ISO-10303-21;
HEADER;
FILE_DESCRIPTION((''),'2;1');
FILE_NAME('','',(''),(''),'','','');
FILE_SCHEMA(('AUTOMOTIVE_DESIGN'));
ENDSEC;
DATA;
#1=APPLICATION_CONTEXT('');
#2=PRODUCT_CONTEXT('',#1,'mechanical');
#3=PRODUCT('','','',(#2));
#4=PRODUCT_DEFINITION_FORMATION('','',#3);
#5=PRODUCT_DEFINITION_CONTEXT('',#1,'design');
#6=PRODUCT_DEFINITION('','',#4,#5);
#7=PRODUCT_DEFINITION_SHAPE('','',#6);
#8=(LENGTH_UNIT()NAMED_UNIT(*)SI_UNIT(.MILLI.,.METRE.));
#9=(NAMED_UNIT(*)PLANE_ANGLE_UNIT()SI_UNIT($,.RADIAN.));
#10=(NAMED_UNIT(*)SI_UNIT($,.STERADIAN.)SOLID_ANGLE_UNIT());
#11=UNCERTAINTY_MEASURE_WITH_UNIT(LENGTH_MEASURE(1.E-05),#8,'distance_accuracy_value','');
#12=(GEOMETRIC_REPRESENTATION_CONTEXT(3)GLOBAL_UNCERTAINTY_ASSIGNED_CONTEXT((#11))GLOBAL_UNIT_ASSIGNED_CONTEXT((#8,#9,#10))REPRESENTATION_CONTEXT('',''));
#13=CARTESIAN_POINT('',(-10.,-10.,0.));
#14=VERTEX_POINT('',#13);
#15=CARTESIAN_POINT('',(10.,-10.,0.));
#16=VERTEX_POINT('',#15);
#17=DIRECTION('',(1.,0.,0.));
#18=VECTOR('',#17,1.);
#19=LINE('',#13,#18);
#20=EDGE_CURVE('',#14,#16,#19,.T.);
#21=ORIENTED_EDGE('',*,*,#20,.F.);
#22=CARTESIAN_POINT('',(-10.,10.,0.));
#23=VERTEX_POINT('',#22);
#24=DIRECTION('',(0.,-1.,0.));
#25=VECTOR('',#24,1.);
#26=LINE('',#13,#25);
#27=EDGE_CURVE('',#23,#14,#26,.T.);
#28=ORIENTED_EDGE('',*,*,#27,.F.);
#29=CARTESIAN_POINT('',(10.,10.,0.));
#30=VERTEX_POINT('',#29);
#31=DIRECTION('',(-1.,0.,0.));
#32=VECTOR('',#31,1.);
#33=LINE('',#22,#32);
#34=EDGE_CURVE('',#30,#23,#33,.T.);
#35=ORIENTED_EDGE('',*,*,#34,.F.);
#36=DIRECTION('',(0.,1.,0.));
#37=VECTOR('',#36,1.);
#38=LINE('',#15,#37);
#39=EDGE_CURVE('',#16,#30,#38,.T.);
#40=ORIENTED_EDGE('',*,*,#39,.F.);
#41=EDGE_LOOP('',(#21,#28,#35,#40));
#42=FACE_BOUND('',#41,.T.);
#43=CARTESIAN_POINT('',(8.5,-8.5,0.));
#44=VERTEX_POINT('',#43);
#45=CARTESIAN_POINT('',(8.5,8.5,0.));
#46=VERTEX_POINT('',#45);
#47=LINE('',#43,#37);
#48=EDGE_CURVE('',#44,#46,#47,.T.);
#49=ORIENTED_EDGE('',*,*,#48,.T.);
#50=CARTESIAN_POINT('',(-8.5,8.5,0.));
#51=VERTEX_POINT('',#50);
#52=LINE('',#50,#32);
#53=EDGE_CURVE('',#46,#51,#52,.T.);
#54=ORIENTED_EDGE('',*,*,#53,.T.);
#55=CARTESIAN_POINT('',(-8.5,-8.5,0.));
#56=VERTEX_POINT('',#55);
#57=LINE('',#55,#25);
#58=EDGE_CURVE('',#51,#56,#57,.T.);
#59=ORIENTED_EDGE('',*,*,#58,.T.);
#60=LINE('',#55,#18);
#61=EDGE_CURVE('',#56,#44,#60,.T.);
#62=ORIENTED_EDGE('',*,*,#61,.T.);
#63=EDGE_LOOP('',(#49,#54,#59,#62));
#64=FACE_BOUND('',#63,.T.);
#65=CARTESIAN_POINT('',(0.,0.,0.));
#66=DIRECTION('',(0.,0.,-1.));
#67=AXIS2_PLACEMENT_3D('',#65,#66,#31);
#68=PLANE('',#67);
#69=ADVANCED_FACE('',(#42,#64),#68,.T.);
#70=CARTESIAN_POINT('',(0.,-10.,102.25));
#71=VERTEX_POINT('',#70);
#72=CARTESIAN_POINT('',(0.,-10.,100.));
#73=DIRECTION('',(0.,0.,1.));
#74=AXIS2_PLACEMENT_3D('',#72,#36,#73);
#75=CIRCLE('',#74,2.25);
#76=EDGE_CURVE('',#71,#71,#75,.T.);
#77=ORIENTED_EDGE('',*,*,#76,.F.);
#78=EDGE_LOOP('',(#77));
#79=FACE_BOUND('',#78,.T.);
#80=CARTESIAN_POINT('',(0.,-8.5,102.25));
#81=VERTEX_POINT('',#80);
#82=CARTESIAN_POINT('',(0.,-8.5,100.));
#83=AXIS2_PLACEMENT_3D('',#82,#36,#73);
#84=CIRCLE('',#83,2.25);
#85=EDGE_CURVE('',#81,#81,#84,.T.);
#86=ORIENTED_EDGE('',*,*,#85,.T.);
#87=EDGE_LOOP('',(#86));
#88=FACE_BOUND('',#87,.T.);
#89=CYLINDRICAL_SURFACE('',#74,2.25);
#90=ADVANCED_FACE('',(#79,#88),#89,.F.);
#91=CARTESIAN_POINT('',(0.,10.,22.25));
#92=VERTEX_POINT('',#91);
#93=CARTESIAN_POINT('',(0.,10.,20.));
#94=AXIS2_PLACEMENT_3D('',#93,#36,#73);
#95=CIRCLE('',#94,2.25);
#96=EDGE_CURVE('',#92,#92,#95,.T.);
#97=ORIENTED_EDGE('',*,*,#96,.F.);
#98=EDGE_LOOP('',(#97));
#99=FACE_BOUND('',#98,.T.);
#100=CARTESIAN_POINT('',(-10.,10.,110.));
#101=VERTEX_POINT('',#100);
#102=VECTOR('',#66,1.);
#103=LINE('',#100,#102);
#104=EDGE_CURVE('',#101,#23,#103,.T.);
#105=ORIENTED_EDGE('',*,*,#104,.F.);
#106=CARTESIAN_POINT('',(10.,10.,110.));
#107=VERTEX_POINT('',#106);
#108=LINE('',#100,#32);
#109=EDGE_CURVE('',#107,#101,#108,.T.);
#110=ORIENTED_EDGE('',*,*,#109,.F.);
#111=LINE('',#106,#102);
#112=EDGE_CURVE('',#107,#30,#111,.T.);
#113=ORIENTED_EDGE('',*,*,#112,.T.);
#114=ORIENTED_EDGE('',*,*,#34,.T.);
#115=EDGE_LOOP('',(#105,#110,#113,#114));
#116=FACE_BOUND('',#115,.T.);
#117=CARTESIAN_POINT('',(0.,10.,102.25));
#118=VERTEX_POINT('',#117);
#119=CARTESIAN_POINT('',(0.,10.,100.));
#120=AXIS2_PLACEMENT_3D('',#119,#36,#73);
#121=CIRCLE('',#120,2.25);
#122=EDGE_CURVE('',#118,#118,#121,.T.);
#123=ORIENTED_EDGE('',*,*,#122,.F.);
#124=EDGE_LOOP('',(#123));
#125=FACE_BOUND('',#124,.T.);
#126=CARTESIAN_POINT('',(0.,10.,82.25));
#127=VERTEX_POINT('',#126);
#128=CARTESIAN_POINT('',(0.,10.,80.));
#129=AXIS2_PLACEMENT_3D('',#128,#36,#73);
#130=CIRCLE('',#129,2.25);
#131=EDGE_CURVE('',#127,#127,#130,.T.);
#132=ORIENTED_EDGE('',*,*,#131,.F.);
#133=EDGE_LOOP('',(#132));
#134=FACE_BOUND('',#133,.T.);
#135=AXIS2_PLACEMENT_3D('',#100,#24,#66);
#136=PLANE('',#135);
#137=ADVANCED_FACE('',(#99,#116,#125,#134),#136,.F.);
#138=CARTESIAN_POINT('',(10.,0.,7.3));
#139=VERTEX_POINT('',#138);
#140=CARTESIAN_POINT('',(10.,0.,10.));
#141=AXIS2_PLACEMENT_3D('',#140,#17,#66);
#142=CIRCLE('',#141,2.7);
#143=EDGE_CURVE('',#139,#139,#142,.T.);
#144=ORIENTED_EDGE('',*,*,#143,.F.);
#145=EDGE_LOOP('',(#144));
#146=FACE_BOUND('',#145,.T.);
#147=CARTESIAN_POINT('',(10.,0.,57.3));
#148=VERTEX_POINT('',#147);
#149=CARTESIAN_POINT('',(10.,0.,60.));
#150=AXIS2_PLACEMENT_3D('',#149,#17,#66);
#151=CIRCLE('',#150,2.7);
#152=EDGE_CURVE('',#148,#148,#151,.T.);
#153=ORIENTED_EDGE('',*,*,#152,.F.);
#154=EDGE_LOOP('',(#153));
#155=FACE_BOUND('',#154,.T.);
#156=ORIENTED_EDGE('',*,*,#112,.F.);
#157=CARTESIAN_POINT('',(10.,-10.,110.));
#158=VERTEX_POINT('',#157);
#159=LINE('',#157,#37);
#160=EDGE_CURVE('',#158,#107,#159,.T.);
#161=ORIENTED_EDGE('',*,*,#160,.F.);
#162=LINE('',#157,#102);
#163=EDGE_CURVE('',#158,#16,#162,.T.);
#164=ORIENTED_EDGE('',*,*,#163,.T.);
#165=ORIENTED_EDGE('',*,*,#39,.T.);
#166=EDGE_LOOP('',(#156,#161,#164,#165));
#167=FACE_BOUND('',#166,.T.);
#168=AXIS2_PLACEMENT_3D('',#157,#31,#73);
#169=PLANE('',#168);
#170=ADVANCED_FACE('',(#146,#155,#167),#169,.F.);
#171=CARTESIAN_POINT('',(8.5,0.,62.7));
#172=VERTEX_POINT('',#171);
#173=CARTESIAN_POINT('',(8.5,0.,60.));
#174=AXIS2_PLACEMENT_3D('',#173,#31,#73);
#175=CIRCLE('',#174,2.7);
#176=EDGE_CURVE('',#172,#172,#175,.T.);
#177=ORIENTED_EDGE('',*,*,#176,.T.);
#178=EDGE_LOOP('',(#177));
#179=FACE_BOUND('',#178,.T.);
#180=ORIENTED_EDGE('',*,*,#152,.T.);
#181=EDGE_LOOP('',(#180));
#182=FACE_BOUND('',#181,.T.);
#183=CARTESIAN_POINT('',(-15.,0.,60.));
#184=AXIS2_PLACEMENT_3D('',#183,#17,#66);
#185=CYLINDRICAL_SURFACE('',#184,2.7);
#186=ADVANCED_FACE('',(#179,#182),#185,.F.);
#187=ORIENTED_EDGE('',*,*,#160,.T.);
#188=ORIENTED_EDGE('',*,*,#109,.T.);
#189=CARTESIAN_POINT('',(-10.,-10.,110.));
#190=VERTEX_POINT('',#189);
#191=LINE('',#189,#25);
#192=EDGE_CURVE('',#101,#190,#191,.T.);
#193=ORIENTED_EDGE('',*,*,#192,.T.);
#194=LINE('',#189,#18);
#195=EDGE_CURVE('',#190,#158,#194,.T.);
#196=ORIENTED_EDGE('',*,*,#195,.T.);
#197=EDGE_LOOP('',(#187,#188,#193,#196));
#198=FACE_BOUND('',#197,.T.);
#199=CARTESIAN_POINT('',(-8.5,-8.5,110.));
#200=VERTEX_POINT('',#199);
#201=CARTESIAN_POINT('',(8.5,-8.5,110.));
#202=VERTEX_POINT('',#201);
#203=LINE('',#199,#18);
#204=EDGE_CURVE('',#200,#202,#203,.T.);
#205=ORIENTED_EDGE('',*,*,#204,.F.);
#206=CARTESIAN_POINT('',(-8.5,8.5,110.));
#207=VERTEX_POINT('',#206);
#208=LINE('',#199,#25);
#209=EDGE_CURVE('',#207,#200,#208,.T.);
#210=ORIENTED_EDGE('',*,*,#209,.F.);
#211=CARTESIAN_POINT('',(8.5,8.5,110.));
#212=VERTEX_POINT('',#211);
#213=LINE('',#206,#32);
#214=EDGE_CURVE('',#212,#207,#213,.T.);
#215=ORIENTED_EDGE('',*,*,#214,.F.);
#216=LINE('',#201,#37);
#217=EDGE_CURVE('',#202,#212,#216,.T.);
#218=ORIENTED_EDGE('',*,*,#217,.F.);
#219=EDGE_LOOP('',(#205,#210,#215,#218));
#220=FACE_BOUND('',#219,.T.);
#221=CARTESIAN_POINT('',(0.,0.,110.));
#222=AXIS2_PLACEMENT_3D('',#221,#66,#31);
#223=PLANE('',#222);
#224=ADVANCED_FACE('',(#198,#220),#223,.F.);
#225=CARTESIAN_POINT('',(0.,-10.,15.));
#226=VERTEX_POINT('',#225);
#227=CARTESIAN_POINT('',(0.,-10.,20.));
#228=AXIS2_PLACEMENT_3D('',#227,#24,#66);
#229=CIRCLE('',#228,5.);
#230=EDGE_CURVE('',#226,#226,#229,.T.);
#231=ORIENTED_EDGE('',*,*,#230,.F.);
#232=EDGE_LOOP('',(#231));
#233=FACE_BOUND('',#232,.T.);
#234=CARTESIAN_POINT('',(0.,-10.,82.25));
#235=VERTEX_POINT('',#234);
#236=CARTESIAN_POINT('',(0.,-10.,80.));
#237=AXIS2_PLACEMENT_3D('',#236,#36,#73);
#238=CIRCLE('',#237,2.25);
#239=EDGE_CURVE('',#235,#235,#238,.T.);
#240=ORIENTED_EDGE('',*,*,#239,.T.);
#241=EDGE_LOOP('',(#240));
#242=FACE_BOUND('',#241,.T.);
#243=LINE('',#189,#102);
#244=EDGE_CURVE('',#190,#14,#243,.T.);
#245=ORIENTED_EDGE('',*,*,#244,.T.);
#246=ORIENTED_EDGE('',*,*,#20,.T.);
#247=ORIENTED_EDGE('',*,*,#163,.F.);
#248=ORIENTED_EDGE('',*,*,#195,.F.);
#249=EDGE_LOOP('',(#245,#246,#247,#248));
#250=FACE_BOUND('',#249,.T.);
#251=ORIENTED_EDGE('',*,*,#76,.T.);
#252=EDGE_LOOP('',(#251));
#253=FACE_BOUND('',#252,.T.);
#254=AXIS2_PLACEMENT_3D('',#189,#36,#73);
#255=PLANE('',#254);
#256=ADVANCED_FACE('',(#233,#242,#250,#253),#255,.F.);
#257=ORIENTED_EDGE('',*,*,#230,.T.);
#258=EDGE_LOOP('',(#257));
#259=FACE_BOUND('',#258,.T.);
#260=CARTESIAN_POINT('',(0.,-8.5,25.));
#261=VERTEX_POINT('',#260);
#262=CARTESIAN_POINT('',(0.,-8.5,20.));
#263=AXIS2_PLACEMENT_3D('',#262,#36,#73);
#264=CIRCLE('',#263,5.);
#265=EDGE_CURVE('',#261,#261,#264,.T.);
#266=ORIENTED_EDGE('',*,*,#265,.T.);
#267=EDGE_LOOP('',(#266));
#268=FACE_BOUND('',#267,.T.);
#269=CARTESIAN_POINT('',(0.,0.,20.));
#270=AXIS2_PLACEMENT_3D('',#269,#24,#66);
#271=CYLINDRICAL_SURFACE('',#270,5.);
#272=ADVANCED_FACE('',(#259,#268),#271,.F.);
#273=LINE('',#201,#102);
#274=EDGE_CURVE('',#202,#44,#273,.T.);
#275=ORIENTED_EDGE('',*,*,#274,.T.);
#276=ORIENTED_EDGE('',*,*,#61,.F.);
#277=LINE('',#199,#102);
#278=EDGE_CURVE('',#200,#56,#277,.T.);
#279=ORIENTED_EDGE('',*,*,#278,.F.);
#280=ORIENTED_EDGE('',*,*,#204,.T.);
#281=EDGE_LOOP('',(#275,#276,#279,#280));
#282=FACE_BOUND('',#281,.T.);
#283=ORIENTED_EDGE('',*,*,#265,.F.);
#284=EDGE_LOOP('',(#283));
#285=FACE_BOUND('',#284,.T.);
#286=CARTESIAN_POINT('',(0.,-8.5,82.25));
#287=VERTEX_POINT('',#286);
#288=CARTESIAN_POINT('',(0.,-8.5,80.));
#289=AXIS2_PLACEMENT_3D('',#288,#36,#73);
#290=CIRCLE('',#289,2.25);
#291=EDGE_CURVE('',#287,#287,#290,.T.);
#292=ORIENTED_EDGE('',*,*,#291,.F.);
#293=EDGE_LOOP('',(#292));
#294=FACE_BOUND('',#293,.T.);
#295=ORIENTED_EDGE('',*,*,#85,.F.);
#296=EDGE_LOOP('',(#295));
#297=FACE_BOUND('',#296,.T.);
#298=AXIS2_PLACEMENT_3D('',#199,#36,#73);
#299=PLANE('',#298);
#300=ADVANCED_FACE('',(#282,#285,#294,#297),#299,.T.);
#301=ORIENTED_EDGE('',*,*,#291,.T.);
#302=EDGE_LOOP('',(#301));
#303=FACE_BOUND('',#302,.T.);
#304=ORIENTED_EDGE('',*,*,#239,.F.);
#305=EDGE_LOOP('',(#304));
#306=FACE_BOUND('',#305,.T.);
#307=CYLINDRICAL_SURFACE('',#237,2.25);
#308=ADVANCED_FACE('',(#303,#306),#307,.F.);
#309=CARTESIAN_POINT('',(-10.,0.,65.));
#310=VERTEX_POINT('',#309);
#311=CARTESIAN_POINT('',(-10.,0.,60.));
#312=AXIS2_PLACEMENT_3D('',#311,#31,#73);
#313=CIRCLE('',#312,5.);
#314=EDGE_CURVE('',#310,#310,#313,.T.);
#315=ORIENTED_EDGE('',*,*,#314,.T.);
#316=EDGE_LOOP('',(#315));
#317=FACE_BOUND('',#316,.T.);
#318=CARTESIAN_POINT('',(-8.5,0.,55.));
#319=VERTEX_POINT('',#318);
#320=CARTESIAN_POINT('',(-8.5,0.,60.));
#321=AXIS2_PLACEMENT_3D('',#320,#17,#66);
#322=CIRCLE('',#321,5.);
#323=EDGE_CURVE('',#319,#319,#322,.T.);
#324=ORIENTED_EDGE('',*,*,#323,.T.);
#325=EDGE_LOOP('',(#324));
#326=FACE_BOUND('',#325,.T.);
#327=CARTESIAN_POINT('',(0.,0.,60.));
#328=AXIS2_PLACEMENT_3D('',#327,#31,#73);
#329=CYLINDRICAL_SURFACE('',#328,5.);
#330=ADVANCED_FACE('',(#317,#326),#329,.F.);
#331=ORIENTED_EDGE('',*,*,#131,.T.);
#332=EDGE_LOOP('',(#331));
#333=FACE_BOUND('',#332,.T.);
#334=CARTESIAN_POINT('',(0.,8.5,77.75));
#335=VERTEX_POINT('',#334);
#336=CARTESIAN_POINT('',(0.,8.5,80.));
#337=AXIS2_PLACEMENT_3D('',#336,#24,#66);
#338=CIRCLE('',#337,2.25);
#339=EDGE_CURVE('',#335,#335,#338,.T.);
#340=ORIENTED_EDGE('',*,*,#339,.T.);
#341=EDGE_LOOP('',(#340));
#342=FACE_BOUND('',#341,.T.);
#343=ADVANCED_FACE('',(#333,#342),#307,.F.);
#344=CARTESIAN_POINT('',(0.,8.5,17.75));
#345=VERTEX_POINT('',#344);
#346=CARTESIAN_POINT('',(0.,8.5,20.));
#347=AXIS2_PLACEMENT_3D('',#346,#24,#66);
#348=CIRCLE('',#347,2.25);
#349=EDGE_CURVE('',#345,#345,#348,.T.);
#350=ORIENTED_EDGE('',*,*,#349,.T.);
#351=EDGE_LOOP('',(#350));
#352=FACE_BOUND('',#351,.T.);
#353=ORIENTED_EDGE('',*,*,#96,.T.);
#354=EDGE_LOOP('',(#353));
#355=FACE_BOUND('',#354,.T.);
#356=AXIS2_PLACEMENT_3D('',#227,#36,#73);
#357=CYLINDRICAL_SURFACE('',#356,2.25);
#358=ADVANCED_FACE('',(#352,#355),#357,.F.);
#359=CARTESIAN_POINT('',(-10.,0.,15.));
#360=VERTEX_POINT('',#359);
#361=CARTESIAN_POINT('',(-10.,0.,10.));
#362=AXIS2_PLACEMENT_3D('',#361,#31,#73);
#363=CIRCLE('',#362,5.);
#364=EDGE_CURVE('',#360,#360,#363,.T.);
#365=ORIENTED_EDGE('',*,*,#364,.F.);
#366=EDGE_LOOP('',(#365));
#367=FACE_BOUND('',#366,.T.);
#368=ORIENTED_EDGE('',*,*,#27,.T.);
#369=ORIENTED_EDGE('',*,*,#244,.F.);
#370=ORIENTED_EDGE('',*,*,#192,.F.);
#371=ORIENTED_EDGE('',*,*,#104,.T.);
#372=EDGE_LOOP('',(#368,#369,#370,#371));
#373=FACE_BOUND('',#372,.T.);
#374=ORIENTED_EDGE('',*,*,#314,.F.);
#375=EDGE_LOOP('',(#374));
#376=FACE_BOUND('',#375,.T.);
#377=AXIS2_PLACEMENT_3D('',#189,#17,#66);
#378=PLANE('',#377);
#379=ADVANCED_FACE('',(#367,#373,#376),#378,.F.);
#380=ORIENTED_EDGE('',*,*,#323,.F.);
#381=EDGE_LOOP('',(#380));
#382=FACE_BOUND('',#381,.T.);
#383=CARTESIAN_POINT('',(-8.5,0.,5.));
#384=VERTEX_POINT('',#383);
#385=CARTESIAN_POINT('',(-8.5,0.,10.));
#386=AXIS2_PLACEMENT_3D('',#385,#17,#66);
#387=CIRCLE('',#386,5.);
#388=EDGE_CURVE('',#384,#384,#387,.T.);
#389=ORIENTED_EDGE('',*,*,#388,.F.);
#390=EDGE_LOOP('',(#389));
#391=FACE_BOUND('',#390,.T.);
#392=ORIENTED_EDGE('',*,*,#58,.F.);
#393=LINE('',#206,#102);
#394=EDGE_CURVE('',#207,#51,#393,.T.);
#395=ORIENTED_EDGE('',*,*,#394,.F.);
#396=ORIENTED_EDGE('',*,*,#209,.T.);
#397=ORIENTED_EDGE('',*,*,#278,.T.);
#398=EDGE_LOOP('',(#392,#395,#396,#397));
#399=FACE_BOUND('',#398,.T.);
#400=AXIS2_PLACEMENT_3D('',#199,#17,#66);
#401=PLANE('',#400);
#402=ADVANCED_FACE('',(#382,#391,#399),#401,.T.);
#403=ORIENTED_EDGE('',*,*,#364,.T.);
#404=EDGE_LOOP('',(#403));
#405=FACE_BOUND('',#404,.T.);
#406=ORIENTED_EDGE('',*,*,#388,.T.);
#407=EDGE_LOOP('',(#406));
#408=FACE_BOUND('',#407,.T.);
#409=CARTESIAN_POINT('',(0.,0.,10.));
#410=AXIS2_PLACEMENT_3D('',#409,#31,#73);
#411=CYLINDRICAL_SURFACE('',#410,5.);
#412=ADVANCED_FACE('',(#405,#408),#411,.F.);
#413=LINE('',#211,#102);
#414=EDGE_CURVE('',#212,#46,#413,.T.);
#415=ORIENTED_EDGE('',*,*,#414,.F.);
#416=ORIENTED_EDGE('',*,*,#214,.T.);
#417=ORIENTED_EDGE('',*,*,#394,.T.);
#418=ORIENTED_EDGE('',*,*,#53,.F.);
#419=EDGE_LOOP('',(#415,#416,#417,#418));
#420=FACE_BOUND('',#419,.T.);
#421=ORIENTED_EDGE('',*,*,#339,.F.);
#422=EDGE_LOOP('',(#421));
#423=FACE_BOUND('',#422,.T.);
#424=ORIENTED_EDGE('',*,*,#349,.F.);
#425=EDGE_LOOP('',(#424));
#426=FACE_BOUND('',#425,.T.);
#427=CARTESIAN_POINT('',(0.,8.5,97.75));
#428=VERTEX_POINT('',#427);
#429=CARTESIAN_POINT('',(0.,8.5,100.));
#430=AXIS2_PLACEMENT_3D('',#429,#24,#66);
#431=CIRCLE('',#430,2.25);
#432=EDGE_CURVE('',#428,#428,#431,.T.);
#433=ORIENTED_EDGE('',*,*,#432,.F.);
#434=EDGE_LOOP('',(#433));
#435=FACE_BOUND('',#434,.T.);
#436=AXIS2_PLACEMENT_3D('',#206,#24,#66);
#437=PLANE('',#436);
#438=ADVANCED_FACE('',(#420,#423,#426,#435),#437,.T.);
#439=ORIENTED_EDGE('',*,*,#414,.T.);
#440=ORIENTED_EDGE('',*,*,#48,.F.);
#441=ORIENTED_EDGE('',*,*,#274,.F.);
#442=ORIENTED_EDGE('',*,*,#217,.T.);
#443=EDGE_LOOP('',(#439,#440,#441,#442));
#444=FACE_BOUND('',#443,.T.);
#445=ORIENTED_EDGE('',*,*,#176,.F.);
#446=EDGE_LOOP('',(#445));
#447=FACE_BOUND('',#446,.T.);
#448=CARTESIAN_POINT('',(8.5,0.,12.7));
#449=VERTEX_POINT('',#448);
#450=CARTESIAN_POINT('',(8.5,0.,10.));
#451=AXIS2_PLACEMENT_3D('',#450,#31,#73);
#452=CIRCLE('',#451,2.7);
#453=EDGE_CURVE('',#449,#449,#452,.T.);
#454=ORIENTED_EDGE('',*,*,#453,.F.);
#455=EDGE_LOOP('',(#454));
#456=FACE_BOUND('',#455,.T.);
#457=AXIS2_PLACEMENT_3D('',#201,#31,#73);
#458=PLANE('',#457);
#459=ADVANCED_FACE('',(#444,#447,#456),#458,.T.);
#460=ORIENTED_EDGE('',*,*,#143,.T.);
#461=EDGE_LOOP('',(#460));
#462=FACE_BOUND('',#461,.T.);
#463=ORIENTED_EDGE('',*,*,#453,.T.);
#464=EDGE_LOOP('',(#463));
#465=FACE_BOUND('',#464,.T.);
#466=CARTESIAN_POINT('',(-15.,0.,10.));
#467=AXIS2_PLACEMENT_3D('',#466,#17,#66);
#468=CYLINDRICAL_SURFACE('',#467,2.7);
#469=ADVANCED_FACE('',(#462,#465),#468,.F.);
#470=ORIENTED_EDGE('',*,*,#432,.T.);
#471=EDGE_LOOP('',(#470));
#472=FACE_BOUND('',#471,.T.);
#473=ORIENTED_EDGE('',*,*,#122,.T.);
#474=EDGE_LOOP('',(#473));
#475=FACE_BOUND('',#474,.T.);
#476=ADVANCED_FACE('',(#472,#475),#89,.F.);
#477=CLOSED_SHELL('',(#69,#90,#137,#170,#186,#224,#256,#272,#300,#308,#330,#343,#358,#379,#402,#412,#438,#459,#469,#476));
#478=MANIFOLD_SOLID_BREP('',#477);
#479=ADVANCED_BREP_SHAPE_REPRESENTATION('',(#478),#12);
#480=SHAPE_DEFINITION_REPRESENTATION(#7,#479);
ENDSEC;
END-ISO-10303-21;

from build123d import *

# Parameters (mm, degrees)
SKETCH_1_W          = 20
SKETCH_1_H          = 20
SKETCH_1_W_2        = 17
SKETCH_1_H_2        = 17
EXTRUDE_1_DEPTH     = 110
SKETCH_2_R          = 2.7
CUT_EXTRUDE_1_DEPTH = 25
SKETCH_3_R          = 2.25
CUT_EXTRUDE_2_DEPTH = 20
SKETCH_5_R          = 5
CUT_EXTRUDE_4_DEPTH = 10
SKETCH_6_R          = 5
CUT_EXTRUDE_5_DEPTH = 10


with BuildPart() as part:
    # ｽｹｯﾁ1 → ﾎﾞｽ - 押し出し1 (new body)
    with BuildSketch(Plane.XY):
        Rectangle(SKETCH_1_W, SKETCH_1_H)
        Rectangle(SKETCH_1_W_2, SKETCH_1_H_2, mode=Mode.SUBTRACT)
    extrude(amount=EXTRUDE_1_DEPTH)

    # ｽｹｯﾁ2 → ｶｯﾄ - 押し出し1 (cut)
    with BuildSketch(Plane(origin=(10, 0, 0), x_dir=(0, 0, -1), z_dir=(1, 0, 0))):
        with Locations((-60, 0)):
            Circle(SKETCH_2_R)
        with Locations((-10, 0)):
            Circle(SKETCH_2_R)
    extrude(amount=-CUT_EXTRUDE_1_DEPTH, mode=Mode.SUBTRACT)

    # ｽｹｯﾁ3 → ｶｯﾄ - 押し出し2 (cut)
    with BuildSketch(Plane(origin=(0, 10, 0), x_dir=(1, 0, 0), z_dir=(0, 1, 0))):
        with Locations((0, -100)):
            Circle(SKETCH_3_R)
        with Locations((0, -80)):
            Circle(SKETCH_3_R)
        with Locations((0, -20)):
            Circle(SKETCH_3_R)
    extrude(amount=-CUT_EXTRUDE_2_DEPTH, mode=Mode.SUBTRACT)

    # ｽｹｯﾁ5 → ｶｯﾄ - 押し出し4 (cut)
    with BuildSketch(Plane(origin=(0, -10, 0), x_dir=(-1, 0, 0), z_dir=(0, -1, 0))):
        with Locations((0, -20)):
            Circle(SKETCH_5_R)
    extrude(amount=-CUT_EXTRUDE_4_DEPTH, mode=Mode.SUBTRACT)

    # ｽｹｯﾁ6 → ｶｯﾄ - 押し出し5 (cut)
    with BuildSketch(Plane.ZY.offset(10)):
        with Locations((10, 0)):
            Circle(SKETCH_6_R)
        with Locations((60, 0)):
            Circle(SKETCH_6_R)
    extrude(amount=-CUT_EXTRUDE_5_DEPTH, mode=Mode.SUBTRACT)


solid = part.part
